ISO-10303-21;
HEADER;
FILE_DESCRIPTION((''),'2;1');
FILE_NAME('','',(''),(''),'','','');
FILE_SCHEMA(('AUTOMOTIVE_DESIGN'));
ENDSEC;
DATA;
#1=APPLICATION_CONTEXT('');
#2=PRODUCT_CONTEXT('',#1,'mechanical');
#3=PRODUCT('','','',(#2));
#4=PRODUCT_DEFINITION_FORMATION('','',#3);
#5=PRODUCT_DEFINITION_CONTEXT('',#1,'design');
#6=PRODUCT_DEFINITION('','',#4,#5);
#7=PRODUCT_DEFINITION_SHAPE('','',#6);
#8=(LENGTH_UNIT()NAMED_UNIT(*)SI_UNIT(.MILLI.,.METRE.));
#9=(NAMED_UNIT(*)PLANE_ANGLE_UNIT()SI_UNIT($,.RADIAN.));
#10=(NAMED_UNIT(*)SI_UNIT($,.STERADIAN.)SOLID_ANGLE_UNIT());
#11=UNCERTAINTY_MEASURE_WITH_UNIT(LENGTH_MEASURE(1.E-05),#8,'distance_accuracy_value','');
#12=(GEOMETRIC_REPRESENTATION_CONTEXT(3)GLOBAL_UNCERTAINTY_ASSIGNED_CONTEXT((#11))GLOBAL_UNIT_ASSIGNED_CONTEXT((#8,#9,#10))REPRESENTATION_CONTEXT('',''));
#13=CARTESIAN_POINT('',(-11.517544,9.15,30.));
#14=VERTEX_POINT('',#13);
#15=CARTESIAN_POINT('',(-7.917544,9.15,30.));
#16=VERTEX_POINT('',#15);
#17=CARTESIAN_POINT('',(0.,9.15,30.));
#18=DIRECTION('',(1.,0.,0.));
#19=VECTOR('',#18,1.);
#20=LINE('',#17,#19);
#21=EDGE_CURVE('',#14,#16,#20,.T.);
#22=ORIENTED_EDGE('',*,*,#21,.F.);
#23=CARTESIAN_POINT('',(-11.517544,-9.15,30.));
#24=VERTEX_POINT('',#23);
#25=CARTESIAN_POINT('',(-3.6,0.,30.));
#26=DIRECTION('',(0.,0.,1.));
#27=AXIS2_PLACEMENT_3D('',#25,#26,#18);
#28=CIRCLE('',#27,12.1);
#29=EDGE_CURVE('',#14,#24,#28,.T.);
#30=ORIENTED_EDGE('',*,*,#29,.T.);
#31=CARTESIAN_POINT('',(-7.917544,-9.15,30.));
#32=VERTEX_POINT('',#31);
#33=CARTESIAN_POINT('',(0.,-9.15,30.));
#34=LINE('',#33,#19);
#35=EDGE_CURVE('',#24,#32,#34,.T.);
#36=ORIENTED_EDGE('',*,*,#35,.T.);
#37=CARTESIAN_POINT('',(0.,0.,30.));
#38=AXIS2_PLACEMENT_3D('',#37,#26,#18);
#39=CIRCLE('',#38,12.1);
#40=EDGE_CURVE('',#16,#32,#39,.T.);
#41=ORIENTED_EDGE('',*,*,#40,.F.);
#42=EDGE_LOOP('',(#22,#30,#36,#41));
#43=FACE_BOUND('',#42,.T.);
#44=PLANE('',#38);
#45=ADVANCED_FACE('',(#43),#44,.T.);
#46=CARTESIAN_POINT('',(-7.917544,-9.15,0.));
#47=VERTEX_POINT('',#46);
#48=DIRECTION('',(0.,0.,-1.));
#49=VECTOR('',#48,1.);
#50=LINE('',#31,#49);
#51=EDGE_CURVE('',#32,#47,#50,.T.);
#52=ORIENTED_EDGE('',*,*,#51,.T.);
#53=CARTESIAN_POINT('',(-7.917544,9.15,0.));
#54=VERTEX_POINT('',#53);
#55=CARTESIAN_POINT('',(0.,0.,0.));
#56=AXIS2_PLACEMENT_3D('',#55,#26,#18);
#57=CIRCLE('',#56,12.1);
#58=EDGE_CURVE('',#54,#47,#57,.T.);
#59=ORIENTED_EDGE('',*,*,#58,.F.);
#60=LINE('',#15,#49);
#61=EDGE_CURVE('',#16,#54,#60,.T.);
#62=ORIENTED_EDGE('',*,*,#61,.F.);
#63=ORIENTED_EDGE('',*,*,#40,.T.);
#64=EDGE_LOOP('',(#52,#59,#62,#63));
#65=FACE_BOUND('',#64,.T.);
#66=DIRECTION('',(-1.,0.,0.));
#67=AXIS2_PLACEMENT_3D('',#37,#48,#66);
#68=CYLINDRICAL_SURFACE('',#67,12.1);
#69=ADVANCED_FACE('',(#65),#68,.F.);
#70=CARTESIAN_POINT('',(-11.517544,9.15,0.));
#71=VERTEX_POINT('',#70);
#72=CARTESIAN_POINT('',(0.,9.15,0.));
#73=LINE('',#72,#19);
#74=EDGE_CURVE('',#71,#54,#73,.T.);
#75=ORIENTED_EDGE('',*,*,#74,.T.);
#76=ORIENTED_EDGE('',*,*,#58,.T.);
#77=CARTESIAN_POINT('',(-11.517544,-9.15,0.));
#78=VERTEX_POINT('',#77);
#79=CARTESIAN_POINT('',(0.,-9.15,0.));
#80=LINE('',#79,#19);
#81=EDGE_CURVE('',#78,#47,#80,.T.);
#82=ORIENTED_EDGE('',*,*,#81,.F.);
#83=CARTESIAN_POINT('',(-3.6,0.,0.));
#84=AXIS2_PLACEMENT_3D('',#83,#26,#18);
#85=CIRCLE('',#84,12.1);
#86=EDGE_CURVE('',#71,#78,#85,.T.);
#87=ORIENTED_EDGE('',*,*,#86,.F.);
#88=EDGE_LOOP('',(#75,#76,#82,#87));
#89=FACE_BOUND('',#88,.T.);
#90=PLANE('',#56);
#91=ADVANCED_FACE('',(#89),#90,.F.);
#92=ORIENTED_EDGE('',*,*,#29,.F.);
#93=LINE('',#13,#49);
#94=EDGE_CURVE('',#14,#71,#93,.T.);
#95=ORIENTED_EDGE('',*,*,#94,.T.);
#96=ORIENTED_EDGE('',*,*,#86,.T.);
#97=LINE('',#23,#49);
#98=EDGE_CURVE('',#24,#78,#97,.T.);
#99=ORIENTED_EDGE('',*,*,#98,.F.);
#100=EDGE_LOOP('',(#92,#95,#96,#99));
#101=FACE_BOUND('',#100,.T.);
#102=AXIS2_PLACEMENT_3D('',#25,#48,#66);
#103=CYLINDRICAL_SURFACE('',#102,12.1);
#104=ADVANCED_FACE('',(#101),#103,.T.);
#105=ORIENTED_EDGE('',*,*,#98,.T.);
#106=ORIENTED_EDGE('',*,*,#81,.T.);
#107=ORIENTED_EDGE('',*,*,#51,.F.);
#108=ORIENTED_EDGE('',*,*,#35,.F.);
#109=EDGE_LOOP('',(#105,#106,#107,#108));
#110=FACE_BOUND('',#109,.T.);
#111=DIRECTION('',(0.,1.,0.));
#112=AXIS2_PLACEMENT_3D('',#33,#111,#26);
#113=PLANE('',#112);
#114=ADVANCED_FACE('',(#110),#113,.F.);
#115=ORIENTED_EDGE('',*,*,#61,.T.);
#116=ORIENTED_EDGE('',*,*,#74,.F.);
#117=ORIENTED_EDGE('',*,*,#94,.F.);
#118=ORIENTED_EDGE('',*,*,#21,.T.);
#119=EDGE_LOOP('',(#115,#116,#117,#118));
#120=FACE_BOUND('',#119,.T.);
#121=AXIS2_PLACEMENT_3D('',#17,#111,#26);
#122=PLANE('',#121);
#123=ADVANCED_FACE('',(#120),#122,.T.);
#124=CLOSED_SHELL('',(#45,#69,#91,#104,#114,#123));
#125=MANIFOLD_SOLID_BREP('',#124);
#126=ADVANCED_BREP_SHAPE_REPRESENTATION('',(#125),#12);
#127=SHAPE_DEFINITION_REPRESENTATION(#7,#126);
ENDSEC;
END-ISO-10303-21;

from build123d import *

# Parameters (mm, degrees)
BOSS_EXTRUDE1_DEPTH = 30


with BuildPart() as part:
    # Sketch2 → Boss-Extrude1 (new body)
    with BuildSketch(Plane.XY):
        with BuildLine():
            ThreePointArc((-11.517543811, 9.15), (-15.7, 0), (-11.517543811, -9.15))
            Line((-11.517543811, -9.15), (-7.917543811, -9.15))
            ThreePointArc((-7.917543811, -9.15), (-12.1, 0), (-7.917543811, 9.15))
            Line((-7.917543811, 9.15), (-11.517543811, 9.15))
        make_face()
    extrude(amount=BOSS_EXTRUDE1_DEPTH)


solid = part.part
